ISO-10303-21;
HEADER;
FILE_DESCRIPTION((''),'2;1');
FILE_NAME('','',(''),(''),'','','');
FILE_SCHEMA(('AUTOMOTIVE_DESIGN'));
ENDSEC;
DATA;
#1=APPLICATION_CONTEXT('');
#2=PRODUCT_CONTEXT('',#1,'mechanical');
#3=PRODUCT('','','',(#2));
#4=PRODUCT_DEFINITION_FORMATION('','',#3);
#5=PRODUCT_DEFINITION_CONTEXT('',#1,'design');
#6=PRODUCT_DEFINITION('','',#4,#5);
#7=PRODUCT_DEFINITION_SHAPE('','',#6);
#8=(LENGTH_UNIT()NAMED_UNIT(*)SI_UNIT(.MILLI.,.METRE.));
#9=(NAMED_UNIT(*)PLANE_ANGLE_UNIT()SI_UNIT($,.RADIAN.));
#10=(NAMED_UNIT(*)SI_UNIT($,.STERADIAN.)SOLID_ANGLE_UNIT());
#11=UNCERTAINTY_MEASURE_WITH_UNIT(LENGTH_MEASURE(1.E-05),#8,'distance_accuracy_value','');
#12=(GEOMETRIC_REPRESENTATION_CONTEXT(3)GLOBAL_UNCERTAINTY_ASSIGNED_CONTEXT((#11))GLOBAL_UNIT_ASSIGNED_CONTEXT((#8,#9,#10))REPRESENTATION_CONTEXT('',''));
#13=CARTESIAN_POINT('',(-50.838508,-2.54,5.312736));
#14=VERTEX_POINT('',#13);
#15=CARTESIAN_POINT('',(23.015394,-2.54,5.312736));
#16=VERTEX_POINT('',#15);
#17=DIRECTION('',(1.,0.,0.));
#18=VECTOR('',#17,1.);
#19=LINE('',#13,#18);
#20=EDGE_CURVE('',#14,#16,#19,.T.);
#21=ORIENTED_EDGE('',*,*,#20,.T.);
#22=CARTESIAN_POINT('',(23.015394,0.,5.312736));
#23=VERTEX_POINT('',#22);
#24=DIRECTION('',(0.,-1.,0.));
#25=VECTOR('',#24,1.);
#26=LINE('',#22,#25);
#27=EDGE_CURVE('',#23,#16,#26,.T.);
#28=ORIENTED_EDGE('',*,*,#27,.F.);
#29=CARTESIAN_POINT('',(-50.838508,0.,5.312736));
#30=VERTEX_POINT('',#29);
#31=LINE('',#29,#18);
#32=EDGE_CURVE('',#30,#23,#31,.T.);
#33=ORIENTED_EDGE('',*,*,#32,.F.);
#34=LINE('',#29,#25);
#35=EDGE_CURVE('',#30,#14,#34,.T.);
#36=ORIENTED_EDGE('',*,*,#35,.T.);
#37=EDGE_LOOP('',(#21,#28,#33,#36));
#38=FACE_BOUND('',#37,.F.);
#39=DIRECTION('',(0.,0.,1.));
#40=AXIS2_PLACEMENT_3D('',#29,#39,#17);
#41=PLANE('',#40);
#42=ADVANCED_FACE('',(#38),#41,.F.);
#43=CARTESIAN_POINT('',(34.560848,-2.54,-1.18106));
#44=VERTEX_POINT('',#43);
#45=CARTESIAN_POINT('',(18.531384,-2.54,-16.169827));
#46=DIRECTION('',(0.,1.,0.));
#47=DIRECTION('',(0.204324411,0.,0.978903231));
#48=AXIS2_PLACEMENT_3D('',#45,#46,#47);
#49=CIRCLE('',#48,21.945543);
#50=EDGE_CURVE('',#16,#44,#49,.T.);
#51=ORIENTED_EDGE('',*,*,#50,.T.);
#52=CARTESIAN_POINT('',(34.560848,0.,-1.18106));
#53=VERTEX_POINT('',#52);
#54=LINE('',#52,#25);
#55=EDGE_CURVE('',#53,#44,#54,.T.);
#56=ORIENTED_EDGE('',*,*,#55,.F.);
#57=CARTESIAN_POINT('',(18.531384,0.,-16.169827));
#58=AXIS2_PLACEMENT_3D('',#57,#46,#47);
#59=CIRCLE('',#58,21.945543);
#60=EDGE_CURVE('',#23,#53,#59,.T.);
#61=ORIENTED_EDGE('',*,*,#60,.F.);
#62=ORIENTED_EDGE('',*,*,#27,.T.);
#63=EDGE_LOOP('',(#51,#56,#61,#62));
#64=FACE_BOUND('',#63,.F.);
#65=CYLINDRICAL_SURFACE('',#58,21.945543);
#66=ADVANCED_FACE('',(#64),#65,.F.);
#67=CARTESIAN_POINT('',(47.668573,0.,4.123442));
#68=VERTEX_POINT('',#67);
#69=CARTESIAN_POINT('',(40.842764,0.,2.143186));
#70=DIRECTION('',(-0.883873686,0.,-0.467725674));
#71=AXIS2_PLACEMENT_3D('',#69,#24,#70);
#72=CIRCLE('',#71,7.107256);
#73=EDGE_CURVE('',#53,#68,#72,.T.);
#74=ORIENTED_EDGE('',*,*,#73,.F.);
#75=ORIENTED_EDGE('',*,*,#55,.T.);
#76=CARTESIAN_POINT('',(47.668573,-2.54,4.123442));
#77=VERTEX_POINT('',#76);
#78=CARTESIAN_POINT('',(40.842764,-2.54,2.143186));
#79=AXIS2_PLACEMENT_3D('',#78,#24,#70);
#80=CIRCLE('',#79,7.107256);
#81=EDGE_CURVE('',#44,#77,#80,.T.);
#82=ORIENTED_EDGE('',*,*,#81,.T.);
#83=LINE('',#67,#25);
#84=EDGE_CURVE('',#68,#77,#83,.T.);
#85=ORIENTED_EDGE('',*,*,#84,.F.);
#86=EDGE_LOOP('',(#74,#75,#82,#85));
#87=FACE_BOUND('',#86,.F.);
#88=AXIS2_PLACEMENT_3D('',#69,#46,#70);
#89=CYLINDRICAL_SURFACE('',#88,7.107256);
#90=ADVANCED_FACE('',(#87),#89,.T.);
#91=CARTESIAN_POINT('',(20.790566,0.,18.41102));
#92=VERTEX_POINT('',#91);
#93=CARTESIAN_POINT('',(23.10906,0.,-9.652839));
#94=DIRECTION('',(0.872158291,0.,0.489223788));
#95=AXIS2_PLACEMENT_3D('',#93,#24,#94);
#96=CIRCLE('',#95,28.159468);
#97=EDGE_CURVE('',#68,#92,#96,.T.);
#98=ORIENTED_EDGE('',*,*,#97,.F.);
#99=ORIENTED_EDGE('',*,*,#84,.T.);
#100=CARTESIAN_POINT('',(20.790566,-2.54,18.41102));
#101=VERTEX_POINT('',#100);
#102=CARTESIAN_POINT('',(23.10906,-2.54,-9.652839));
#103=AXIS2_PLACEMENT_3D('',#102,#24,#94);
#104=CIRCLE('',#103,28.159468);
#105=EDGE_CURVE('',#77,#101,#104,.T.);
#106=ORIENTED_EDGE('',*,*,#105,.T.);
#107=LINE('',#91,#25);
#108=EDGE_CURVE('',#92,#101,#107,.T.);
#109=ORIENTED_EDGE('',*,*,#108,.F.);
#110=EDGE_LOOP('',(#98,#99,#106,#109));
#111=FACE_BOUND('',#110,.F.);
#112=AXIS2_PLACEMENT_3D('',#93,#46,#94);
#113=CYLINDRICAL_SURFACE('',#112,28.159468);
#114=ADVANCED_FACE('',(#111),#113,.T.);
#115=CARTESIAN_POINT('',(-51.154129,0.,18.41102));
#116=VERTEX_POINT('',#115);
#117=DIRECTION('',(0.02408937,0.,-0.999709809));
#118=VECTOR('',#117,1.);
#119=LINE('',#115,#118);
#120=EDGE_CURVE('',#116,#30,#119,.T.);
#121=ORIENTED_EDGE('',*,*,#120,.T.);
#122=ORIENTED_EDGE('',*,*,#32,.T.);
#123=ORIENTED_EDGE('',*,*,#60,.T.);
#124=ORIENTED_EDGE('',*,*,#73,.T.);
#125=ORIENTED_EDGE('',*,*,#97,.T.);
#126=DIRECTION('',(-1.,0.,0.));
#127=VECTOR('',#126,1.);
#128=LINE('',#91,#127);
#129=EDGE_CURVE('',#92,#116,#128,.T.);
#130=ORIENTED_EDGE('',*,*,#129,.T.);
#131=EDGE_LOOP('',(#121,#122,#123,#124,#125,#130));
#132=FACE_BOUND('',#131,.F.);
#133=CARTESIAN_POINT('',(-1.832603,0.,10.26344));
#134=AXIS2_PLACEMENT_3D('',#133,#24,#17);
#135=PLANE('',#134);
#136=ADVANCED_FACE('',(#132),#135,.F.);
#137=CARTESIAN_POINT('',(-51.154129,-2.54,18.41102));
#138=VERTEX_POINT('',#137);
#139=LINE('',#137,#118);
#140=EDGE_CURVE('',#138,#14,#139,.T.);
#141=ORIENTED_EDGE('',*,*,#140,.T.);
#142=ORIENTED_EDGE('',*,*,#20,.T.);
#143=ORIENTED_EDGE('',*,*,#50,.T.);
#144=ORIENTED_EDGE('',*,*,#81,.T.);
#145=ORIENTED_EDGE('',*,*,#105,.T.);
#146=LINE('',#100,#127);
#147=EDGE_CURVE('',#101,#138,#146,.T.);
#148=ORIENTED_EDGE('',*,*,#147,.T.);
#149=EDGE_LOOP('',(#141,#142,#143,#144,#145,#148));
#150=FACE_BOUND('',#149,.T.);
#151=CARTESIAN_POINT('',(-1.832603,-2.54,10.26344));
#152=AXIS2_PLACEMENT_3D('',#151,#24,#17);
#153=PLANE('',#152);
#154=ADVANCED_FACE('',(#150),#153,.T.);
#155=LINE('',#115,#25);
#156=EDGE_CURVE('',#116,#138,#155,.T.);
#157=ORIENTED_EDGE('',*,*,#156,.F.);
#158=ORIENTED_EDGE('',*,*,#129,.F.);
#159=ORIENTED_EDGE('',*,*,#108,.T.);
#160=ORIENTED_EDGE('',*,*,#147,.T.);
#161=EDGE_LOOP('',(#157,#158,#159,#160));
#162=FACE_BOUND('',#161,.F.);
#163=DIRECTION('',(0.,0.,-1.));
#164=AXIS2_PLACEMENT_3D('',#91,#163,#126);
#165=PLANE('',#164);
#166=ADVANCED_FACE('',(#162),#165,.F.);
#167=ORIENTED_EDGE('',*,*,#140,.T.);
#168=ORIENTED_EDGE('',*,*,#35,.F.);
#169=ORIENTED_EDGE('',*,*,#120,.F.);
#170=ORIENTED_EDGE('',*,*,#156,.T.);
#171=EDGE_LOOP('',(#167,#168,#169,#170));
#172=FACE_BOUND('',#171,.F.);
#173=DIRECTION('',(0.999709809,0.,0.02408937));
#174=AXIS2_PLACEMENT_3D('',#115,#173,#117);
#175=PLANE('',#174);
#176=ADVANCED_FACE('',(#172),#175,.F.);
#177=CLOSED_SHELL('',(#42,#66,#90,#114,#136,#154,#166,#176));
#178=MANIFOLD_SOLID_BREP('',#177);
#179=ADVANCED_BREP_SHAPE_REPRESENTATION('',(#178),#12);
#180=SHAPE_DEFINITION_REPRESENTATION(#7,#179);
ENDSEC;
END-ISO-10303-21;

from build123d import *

# Parameters (mm, degrees)
F1_DEPTH = 2.54


with BuildPart() as f1:
    # F0 (on Front) → F1 (new body)
    with BuildSketch(Plane.XZ):
        with BuildLine():
            Line((20.790566, 18.41102), (-51.154129, 18.41102))
            Line((-51.154129, 18.41102), (-50.838508, 5.312736))
            Line((-50.838508, 5.312736), (23.015394, 5.312736))
            ThreePointArc((23.015394, 5.312736), (29.289776, 2.957741), (34.560848, -1.18106))
            ThreePointArc((34.560848, -1.18106), (43.50892, -4.445038), (47.668573, 4.123442))
            ThreePointArc((47.668573, 4.123442), (36.326452, 15.211918), (20.790566, 18.41102))
        make_face()
    extrude(amount=F1_DEPTH)


solid = f1.part
